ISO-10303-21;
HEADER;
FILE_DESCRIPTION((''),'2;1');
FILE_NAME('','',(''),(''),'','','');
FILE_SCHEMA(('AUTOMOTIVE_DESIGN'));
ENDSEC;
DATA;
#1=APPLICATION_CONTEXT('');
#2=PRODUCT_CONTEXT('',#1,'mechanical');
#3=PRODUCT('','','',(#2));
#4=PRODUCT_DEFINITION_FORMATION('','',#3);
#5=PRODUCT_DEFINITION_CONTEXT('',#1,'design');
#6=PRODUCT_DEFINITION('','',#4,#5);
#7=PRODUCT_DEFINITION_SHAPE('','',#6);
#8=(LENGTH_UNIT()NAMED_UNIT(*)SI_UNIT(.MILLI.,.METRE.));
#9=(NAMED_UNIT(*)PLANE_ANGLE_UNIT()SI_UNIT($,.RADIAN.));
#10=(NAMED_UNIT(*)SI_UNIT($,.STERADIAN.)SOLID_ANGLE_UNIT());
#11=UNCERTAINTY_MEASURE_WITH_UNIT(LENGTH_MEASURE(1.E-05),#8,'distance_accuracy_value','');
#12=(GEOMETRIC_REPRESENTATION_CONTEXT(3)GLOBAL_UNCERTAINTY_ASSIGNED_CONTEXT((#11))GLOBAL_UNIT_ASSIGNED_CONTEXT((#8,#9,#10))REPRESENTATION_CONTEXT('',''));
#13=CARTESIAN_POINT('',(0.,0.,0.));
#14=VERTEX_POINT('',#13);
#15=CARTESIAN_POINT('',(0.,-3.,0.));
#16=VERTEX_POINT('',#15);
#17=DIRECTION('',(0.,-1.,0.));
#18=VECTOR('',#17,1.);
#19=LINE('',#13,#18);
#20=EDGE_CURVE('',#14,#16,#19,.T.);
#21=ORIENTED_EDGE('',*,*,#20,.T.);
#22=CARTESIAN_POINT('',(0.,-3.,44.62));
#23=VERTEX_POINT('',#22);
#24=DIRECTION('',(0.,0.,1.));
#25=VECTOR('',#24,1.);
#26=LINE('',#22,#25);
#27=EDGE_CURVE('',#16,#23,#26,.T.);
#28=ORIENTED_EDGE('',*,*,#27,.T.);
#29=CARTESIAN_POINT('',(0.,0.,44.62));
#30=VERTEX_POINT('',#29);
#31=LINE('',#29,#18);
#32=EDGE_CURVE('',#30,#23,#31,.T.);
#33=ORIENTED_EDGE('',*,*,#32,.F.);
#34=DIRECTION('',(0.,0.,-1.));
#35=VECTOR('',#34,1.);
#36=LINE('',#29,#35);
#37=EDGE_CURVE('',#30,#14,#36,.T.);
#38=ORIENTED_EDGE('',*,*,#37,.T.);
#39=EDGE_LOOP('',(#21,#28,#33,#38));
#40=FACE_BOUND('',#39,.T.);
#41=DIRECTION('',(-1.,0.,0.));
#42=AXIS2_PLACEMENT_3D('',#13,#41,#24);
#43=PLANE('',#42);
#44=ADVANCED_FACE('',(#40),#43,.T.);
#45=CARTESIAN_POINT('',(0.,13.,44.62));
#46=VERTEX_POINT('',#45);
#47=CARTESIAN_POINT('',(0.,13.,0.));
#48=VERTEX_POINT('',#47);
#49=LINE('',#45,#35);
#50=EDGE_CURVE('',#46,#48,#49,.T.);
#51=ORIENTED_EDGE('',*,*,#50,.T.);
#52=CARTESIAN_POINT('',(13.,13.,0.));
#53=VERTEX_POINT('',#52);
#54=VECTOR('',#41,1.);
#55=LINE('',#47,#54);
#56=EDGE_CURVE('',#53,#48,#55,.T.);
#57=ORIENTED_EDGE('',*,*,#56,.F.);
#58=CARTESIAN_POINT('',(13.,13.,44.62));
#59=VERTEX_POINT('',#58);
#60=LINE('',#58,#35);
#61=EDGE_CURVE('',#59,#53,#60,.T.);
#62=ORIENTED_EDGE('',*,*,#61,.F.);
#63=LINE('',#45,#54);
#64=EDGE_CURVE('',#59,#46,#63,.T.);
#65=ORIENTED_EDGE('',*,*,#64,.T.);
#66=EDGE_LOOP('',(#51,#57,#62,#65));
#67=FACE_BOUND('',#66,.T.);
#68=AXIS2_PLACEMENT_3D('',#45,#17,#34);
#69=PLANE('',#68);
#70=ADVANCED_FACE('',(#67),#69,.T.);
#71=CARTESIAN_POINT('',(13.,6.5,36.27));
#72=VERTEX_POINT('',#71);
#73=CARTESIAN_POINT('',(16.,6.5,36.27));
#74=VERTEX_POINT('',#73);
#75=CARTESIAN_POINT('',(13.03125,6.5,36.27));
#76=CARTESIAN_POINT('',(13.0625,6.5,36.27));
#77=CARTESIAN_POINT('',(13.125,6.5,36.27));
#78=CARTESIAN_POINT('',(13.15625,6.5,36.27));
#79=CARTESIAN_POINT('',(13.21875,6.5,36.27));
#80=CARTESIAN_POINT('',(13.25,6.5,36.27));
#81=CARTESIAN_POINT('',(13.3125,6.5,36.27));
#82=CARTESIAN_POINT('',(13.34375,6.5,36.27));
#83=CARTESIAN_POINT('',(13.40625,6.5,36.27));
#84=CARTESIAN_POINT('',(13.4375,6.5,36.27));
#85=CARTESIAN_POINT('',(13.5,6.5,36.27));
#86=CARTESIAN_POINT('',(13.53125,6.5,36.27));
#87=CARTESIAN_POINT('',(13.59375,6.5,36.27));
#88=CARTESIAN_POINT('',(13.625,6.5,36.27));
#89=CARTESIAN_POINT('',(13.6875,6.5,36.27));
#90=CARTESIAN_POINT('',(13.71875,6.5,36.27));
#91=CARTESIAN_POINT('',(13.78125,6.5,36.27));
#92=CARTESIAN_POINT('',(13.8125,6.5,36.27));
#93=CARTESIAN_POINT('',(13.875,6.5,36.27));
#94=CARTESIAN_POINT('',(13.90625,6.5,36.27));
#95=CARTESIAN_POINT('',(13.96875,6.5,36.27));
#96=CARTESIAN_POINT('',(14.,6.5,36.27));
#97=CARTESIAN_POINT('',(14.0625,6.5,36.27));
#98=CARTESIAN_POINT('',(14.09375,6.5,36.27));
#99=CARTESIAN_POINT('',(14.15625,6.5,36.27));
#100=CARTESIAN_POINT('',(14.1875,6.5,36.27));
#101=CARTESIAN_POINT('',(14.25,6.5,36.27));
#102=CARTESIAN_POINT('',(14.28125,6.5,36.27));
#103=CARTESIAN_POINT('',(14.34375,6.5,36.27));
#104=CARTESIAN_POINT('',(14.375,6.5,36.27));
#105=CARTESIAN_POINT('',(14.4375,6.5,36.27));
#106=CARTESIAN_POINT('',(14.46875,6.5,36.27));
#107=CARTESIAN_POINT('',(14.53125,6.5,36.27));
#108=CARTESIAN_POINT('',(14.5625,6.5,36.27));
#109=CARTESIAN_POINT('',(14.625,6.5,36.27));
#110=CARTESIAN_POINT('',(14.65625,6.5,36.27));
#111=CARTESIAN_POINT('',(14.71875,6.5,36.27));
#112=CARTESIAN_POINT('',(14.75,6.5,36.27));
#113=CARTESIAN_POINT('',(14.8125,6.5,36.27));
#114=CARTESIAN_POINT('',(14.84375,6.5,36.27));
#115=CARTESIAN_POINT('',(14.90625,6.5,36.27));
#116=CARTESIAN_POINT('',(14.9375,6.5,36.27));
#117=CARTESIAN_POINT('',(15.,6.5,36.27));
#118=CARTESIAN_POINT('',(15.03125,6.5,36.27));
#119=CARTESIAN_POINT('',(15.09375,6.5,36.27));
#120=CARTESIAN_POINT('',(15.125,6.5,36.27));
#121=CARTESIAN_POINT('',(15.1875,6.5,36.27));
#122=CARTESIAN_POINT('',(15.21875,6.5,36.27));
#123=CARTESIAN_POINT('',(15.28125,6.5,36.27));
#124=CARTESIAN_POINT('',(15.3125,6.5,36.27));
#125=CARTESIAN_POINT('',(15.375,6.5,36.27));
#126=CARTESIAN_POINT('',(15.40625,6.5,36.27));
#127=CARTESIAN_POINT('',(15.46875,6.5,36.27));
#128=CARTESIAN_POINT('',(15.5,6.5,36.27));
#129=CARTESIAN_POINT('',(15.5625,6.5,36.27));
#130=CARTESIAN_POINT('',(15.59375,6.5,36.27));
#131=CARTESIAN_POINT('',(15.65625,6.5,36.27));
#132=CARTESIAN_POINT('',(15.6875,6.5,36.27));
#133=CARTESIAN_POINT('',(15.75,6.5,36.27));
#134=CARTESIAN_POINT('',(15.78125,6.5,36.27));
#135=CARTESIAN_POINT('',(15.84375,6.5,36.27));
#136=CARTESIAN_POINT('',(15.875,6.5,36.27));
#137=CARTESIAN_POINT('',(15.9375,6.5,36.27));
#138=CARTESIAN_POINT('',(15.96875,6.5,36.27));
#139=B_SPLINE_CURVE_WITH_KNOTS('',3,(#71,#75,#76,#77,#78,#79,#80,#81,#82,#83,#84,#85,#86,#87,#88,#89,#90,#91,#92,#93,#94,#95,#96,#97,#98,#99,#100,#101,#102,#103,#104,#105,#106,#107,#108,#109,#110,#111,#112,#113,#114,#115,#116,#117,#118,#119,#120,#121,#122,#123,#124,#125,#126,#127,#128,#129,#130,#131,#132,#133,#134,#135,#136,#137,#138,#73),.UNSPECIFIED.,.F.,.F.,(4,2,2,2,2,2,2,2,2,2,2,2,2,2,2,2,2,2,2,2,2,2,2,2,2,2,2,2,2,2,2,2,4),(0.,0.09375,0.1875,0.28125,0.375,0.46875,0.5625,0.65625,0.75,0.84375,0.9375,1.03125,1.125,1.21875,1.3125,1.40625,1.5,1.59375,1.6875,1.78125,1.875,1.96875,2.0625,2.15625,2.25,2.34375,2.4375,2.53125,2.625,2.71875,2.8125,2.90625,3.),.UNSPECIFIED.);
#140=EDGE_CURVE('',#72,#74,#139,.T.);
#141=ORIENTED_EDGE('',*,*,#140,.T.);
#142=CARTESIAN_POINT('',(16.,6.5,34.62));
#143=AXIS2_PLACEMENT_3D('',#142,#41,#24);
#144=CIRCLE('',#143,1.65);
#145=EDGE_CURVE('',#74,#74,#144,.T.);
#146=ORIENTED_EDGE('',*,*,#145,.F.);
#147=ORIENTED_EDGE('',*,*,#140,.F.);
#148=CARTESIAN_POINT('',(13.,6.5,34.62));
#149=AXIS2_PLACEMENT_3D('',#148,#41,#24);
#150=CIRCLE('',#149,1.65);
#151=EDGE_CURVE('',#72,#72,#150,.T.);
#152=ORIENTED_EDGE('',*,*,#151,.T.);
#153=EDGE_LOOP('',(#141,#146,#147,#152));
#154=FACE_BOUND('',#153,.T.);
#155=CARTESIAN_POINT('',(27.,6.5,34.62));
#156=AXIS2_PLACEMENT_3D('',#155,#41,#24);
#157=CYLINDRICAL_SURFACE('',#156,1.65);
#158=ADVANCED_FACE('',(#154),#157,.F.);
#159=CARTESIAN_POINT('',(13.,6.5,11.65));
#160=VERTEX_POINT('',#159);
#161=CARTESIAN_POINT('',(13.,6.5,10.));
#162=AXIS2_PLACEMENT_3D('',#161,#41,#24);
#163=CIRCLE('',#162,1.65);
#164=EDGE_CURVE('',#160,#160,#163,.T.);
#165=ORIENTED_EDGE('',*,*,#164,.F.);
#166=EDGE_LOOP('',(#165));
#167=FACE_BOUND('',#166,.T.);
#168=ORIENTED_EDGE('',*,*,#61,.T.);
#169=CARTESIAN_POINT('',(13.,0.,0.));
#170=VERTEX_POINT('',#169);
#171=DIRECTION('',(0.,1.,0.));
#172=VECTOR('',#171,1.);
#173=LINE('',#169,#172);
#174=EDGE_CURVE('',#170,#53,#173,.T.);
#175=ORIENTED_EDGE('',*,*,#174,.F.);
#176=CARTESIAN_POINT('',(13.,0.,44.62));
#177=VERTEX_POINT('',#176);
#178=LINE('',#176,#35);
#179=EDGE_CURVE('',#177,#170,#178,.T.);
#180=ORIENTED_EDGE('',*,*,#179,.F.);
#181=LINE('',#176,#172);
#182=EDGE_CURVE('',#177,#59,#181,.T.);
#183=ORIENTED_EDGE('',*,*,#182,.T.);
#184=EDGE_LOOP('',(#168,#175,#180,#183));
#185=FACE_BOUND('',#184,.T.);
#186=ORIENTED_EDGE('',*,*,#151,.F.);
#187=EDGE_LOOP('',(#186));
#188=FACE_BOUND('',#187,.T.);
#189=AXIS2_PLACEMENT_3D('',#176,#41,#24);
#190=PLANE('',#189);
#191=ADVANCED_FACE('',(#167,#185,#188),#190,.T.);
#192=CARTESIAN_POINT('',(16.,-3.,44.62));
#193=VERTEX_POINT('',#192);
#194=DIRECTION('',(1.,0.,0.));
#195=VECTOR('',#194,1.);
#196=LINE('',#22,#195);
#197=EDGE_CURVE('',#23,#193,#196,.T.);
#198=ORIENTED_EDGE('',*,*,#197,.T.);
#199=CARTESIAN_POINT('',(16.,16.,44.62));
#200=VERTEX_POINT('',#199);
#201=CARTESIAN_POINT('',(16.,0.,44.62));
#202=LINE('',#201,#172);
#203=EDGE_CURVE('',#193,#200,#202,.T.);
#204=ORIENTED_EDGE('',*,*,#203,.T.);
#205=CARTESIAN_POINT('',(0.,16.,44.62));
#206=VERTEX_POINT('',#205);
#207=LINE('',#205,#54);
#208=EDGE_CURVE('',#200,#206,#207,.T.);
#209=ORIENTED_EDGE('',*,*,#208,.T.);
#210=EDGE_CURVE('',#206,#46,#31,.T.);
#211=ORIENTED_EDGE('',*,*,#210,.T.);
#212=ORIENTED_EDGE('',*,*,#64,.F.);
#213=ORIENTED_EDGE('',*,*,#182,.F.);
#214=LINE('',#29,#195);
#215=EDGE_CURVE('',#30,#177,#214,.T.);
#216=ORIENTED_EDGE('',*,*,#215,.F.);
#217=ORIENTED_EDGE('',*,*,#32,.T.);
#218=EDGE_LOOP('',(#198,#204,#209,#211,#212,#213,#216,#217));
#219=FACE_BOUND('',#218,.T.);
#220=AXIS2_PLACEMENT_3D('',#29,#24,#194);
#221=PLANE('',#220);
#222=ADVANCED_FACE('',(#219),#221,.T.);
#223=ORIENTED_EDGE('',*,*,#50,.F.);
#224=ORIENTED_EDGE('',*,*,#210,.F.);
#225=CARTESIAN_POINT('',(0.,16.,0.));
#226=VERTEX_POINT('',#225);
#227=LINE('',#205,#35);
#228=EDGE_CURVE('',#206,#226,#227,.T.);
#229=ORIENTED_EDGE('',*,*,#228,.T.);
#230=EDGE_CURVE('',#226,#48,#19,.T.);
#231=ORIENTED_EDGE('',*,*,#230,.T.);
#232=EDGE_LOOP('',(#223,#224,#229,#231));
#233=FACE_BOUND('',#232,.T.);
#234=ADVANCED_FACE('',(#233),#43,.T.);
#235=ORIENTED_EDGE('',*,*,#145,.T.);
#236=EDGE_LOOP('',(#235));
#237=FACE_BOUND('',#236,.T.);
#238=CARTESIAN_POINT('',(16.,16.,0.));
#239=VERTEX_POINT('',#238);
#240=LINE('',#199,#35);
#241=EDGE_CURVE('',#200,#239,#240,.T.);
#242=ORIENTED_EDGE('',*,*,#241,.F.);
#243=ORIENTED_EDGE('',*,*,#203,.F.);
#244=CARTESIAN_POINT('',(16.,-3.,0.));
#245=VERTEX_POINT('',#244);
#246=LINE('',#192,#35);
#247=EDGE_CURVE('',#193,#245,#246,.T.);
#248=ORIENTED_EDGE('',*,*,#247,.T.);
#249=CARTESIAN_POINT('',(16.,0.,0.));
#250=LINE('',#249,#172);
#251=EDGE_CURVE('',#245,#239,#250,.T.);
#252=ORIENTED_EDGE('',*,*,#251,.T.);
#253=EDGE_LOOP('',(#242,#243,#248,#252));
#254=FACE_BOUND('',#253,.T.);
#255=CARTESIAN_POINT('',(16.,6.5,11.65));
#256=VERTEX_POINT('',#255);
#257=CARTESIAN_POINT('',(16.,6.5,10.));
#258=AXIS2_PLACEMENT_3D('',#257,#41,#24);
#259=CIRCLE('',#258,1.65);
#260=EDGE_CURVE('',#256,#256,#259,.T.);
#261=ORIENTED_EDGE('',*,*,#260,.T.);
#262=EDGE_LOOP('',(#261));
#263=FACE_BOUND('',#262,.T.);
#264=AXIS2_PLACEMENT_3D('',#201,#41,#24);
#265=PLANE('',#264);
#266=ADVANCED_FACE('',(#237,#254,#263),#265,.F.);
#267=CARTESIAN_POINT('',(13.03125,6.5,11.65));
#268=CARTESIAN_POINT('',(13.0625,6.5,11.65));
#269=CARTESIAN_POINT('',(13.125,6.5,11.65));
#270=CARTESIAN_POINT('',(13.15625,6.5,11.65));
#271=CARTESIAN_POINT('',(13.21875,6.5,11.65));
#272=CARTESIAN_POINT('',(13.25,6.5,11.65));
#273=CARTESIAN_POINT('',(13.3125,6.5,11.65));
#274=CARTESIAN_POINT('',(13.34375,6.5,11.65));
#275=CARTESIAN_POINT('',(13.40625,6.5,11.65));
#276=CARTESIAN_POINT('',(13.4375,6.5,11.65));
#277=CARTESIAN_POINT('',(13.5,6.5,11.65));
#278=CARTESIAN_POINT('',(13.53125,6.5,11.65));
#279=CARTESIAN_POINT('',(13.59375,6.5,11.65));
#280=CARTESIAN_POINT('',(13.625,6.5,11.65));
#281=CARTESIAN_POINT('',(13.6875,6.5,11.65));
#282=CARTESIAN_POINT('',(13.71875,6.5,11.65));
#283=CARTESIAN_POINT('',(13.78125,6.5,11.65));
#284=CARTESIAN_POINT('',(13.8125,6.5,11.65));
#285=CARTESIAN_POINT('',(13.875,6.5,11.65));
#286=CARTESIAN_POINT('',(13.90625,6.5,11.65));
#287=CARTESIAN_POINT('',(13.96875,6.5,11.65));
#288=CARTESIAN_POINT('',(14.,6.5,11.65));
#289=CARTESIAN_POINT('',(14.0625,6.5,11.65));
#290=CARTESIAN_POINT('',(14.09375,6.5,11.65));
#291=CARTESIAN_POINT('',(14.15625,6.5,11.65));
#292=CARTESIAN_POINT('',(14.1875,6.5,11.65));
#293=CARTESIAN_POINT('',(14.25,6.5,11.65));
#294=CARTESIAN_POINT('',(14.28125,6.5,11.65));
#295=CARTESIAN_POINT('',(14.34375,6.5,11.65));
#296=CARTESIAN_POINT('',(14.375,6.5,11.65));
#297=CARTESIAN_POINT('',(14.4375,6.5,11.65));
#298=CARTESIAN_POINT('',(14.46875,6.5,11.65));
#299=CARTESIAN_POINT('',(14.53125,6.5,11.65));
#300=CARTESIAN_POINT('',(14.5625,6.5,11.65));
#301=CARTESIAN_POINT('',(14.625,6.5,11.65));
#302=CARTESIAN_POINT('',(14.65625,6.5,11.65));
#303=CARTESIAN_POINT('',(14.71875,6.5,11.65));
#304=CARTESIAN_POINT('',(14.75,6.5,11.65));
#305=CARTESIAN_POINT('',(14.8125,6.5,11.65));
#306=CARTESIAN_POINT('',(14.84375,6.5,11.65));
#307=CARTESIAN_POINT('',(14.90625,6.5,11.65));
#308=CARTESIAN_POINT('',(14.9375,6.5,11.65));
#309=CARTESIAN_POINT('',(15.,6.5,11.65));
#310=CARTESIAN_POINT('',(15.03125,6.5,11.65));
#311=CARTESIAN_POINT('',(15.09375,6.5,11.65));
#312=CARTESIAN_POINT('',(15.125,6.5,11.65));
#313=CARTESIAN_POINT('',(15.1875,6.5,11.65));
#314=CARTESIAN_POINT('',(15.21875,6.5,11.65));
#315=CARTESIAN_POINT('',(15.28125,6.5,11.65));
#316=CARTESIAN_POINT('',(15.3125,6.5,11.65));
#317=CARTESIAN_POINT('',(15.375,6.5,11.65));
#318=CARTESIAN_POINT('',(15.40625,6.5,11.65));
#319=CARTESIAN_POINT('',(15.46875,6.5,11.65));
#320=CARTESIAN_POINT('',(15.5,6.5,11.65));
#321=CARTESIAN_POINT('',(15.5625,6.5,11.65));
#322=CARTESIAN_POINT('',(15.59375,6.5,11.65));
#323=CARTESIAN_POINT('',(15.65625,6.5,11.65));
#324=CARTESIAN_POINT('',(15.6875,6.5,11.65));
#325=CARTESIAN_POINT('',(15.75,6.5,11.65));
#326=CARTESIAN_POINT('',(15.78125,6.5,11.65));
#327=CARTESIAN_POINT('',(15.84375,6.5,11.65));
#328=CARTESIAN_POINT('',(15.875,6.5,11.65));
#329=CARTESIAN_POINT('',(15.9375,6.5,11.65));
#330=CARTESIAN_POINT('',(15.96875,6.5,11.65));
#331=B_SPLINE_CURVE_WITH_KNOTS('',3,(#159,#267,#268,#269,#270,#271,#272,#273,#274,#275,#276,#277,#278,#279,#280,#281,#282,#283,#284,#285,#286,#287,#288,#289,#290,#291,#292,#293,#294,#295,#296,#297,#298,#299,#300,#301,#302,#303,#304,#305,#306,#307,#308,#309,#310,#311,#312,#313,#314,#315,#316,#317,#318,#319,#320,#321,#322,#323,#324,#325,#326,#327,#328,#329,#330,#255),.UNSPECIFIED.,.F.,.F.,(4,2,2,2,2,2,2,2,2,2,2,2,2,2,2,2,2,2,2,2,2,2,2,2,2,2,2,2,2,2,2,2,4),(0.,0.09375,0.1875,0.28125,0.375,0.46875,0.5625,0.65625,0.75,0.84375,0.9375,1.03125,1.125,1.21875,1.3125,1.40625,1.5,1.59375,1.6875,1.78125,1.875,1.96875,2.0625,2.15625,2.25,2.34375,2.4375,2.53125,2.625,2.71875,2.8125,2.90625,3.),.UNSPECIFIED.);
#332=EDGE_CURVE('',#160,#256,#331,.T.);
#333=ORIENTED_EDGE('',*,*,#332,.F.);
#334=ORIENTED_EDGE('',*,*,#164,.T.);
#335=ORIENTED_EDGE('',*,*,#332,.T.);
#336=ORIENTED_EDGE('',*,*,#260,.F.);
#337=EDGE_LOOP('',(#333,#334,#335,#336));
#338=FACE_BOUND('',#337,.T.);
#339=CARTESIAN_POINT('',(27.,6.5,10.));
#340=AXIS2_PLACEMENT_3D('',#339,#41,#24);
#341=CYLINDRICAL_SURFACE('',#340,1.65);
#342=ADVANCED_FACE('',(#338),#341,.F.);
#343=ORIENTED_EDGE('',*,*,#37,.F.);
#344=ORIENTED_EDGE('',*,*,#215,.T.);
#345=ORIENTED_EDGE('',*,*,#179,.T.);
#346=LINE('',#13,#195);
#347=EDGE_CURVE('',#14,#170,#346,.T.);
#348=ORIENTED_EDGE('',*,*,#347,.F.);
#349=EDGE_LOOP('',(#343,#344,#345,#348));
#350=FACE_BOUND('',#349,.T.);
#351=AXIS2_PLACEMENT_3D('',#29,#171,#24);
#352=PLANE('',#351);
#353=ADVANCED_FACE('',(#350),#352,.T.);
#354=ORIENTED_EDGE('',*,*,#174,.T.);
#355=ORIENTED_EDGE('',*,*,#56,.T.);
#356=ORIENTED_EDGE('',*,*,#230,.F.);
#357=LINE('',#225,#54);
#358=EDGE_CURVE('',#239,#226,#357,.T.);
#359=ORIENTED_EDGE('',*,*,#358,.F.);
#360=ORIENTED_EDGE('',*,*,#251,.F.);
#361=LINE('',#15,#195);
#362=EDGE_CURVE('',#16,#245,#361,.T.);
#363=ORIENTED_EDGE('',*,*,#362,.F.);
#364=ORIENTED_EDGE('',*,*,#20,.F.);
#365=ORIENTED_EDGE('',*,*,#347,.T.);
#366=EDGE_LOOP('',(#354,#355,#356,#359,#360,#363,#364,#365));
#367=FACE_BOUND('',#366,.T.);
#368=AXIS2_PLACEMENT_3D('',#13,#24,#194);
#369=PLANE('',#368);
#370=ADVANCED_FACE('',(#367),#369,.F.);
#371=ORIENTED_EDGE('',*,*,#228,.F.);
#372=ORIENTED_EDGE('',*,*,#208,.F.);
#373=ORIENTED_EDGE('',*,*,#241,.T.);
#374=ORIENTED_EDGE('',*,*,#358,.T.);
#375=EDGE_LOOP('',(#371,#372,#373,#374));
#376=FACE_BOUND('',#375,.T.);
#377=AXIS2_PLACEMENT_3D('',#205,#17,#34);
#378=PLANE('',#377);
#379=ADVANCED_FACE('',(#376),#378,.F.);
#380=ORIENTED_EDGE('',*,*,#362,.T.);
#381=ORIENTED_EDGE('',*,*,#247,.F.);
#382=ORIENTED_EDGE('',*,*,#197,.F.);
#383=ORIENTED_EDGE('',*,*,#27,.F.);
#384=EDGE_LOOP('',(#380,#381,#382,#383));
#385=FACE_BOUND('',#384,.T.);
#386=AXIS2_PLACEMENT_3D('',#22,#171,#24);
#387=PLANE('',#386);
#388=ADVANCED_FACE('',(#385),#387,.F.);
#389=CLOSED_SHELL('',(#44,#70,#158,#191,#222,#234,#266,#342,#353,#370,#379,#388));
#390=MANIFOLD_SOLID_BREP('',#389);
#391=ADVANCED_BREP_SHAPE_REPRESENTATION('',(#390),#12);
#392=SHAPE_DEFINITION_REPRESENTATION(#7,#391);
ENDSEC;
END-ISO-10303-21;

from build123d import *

# Parameters (mm, degrees)
SKETCH_1_W          = 19
SKETCH_1_H          = 19
SKETCH_1_W_2        = 13
SKETCH_1_H_2        = 13
EXTRUDE_1_DEPTH     = 44.62
SKETCH_2_R          = 1.65
CUT_EXTRUDE_1_DEPTH = 30
SKETCH_3_W          = 314.053168424
SKETCH_3_H          = 46.219516436
CUT_EXTRUDE_2_DEPTH = 3


with BuildPart() as part:
    # 草图1 → Extrude 1 (new body)
    with BuildSketch(Plane.XY):
        with Locations((6.5, 6.5)):
            Rectangle(SKETCH_1_W, SKETCH_1_H)
        with Locations((6.5, 6.5)):
            Rectangle(SKETCH_1_W_2, SKETCH_1_H_2, mode=Mode.SUBTRACT)
    extrude(amount=EXTRUDE_1_DEPTH)

    # 草图2 → 切除-拉伸1 (cut)
    with BuildSketch(Plane.ZY.offset(3)):
        with Locations((10, 6.5)):
            Circle(SKETCH_2_R)
        with Locations((34.62, 6.5)):
            Circle(SKETCH_2_R)
    extrude(amount=-CUT_EXTRUDE_1_DEPTH, mode=Mode.SUBTRACT)

    # 草图3 → 切除-拉伸2 (cut)
    with BuildSketch(Plane.ZY.offset(3)):
        with Locations((151.731232528, 0.202739406)):
            Rectangle(SKETCH_3_W, SKETCH_3_H)
    extrude(amount=-CUT_EXTRUDE_2_DEPTH, mode=Mode.SUBTRACT)


solid = part.part
